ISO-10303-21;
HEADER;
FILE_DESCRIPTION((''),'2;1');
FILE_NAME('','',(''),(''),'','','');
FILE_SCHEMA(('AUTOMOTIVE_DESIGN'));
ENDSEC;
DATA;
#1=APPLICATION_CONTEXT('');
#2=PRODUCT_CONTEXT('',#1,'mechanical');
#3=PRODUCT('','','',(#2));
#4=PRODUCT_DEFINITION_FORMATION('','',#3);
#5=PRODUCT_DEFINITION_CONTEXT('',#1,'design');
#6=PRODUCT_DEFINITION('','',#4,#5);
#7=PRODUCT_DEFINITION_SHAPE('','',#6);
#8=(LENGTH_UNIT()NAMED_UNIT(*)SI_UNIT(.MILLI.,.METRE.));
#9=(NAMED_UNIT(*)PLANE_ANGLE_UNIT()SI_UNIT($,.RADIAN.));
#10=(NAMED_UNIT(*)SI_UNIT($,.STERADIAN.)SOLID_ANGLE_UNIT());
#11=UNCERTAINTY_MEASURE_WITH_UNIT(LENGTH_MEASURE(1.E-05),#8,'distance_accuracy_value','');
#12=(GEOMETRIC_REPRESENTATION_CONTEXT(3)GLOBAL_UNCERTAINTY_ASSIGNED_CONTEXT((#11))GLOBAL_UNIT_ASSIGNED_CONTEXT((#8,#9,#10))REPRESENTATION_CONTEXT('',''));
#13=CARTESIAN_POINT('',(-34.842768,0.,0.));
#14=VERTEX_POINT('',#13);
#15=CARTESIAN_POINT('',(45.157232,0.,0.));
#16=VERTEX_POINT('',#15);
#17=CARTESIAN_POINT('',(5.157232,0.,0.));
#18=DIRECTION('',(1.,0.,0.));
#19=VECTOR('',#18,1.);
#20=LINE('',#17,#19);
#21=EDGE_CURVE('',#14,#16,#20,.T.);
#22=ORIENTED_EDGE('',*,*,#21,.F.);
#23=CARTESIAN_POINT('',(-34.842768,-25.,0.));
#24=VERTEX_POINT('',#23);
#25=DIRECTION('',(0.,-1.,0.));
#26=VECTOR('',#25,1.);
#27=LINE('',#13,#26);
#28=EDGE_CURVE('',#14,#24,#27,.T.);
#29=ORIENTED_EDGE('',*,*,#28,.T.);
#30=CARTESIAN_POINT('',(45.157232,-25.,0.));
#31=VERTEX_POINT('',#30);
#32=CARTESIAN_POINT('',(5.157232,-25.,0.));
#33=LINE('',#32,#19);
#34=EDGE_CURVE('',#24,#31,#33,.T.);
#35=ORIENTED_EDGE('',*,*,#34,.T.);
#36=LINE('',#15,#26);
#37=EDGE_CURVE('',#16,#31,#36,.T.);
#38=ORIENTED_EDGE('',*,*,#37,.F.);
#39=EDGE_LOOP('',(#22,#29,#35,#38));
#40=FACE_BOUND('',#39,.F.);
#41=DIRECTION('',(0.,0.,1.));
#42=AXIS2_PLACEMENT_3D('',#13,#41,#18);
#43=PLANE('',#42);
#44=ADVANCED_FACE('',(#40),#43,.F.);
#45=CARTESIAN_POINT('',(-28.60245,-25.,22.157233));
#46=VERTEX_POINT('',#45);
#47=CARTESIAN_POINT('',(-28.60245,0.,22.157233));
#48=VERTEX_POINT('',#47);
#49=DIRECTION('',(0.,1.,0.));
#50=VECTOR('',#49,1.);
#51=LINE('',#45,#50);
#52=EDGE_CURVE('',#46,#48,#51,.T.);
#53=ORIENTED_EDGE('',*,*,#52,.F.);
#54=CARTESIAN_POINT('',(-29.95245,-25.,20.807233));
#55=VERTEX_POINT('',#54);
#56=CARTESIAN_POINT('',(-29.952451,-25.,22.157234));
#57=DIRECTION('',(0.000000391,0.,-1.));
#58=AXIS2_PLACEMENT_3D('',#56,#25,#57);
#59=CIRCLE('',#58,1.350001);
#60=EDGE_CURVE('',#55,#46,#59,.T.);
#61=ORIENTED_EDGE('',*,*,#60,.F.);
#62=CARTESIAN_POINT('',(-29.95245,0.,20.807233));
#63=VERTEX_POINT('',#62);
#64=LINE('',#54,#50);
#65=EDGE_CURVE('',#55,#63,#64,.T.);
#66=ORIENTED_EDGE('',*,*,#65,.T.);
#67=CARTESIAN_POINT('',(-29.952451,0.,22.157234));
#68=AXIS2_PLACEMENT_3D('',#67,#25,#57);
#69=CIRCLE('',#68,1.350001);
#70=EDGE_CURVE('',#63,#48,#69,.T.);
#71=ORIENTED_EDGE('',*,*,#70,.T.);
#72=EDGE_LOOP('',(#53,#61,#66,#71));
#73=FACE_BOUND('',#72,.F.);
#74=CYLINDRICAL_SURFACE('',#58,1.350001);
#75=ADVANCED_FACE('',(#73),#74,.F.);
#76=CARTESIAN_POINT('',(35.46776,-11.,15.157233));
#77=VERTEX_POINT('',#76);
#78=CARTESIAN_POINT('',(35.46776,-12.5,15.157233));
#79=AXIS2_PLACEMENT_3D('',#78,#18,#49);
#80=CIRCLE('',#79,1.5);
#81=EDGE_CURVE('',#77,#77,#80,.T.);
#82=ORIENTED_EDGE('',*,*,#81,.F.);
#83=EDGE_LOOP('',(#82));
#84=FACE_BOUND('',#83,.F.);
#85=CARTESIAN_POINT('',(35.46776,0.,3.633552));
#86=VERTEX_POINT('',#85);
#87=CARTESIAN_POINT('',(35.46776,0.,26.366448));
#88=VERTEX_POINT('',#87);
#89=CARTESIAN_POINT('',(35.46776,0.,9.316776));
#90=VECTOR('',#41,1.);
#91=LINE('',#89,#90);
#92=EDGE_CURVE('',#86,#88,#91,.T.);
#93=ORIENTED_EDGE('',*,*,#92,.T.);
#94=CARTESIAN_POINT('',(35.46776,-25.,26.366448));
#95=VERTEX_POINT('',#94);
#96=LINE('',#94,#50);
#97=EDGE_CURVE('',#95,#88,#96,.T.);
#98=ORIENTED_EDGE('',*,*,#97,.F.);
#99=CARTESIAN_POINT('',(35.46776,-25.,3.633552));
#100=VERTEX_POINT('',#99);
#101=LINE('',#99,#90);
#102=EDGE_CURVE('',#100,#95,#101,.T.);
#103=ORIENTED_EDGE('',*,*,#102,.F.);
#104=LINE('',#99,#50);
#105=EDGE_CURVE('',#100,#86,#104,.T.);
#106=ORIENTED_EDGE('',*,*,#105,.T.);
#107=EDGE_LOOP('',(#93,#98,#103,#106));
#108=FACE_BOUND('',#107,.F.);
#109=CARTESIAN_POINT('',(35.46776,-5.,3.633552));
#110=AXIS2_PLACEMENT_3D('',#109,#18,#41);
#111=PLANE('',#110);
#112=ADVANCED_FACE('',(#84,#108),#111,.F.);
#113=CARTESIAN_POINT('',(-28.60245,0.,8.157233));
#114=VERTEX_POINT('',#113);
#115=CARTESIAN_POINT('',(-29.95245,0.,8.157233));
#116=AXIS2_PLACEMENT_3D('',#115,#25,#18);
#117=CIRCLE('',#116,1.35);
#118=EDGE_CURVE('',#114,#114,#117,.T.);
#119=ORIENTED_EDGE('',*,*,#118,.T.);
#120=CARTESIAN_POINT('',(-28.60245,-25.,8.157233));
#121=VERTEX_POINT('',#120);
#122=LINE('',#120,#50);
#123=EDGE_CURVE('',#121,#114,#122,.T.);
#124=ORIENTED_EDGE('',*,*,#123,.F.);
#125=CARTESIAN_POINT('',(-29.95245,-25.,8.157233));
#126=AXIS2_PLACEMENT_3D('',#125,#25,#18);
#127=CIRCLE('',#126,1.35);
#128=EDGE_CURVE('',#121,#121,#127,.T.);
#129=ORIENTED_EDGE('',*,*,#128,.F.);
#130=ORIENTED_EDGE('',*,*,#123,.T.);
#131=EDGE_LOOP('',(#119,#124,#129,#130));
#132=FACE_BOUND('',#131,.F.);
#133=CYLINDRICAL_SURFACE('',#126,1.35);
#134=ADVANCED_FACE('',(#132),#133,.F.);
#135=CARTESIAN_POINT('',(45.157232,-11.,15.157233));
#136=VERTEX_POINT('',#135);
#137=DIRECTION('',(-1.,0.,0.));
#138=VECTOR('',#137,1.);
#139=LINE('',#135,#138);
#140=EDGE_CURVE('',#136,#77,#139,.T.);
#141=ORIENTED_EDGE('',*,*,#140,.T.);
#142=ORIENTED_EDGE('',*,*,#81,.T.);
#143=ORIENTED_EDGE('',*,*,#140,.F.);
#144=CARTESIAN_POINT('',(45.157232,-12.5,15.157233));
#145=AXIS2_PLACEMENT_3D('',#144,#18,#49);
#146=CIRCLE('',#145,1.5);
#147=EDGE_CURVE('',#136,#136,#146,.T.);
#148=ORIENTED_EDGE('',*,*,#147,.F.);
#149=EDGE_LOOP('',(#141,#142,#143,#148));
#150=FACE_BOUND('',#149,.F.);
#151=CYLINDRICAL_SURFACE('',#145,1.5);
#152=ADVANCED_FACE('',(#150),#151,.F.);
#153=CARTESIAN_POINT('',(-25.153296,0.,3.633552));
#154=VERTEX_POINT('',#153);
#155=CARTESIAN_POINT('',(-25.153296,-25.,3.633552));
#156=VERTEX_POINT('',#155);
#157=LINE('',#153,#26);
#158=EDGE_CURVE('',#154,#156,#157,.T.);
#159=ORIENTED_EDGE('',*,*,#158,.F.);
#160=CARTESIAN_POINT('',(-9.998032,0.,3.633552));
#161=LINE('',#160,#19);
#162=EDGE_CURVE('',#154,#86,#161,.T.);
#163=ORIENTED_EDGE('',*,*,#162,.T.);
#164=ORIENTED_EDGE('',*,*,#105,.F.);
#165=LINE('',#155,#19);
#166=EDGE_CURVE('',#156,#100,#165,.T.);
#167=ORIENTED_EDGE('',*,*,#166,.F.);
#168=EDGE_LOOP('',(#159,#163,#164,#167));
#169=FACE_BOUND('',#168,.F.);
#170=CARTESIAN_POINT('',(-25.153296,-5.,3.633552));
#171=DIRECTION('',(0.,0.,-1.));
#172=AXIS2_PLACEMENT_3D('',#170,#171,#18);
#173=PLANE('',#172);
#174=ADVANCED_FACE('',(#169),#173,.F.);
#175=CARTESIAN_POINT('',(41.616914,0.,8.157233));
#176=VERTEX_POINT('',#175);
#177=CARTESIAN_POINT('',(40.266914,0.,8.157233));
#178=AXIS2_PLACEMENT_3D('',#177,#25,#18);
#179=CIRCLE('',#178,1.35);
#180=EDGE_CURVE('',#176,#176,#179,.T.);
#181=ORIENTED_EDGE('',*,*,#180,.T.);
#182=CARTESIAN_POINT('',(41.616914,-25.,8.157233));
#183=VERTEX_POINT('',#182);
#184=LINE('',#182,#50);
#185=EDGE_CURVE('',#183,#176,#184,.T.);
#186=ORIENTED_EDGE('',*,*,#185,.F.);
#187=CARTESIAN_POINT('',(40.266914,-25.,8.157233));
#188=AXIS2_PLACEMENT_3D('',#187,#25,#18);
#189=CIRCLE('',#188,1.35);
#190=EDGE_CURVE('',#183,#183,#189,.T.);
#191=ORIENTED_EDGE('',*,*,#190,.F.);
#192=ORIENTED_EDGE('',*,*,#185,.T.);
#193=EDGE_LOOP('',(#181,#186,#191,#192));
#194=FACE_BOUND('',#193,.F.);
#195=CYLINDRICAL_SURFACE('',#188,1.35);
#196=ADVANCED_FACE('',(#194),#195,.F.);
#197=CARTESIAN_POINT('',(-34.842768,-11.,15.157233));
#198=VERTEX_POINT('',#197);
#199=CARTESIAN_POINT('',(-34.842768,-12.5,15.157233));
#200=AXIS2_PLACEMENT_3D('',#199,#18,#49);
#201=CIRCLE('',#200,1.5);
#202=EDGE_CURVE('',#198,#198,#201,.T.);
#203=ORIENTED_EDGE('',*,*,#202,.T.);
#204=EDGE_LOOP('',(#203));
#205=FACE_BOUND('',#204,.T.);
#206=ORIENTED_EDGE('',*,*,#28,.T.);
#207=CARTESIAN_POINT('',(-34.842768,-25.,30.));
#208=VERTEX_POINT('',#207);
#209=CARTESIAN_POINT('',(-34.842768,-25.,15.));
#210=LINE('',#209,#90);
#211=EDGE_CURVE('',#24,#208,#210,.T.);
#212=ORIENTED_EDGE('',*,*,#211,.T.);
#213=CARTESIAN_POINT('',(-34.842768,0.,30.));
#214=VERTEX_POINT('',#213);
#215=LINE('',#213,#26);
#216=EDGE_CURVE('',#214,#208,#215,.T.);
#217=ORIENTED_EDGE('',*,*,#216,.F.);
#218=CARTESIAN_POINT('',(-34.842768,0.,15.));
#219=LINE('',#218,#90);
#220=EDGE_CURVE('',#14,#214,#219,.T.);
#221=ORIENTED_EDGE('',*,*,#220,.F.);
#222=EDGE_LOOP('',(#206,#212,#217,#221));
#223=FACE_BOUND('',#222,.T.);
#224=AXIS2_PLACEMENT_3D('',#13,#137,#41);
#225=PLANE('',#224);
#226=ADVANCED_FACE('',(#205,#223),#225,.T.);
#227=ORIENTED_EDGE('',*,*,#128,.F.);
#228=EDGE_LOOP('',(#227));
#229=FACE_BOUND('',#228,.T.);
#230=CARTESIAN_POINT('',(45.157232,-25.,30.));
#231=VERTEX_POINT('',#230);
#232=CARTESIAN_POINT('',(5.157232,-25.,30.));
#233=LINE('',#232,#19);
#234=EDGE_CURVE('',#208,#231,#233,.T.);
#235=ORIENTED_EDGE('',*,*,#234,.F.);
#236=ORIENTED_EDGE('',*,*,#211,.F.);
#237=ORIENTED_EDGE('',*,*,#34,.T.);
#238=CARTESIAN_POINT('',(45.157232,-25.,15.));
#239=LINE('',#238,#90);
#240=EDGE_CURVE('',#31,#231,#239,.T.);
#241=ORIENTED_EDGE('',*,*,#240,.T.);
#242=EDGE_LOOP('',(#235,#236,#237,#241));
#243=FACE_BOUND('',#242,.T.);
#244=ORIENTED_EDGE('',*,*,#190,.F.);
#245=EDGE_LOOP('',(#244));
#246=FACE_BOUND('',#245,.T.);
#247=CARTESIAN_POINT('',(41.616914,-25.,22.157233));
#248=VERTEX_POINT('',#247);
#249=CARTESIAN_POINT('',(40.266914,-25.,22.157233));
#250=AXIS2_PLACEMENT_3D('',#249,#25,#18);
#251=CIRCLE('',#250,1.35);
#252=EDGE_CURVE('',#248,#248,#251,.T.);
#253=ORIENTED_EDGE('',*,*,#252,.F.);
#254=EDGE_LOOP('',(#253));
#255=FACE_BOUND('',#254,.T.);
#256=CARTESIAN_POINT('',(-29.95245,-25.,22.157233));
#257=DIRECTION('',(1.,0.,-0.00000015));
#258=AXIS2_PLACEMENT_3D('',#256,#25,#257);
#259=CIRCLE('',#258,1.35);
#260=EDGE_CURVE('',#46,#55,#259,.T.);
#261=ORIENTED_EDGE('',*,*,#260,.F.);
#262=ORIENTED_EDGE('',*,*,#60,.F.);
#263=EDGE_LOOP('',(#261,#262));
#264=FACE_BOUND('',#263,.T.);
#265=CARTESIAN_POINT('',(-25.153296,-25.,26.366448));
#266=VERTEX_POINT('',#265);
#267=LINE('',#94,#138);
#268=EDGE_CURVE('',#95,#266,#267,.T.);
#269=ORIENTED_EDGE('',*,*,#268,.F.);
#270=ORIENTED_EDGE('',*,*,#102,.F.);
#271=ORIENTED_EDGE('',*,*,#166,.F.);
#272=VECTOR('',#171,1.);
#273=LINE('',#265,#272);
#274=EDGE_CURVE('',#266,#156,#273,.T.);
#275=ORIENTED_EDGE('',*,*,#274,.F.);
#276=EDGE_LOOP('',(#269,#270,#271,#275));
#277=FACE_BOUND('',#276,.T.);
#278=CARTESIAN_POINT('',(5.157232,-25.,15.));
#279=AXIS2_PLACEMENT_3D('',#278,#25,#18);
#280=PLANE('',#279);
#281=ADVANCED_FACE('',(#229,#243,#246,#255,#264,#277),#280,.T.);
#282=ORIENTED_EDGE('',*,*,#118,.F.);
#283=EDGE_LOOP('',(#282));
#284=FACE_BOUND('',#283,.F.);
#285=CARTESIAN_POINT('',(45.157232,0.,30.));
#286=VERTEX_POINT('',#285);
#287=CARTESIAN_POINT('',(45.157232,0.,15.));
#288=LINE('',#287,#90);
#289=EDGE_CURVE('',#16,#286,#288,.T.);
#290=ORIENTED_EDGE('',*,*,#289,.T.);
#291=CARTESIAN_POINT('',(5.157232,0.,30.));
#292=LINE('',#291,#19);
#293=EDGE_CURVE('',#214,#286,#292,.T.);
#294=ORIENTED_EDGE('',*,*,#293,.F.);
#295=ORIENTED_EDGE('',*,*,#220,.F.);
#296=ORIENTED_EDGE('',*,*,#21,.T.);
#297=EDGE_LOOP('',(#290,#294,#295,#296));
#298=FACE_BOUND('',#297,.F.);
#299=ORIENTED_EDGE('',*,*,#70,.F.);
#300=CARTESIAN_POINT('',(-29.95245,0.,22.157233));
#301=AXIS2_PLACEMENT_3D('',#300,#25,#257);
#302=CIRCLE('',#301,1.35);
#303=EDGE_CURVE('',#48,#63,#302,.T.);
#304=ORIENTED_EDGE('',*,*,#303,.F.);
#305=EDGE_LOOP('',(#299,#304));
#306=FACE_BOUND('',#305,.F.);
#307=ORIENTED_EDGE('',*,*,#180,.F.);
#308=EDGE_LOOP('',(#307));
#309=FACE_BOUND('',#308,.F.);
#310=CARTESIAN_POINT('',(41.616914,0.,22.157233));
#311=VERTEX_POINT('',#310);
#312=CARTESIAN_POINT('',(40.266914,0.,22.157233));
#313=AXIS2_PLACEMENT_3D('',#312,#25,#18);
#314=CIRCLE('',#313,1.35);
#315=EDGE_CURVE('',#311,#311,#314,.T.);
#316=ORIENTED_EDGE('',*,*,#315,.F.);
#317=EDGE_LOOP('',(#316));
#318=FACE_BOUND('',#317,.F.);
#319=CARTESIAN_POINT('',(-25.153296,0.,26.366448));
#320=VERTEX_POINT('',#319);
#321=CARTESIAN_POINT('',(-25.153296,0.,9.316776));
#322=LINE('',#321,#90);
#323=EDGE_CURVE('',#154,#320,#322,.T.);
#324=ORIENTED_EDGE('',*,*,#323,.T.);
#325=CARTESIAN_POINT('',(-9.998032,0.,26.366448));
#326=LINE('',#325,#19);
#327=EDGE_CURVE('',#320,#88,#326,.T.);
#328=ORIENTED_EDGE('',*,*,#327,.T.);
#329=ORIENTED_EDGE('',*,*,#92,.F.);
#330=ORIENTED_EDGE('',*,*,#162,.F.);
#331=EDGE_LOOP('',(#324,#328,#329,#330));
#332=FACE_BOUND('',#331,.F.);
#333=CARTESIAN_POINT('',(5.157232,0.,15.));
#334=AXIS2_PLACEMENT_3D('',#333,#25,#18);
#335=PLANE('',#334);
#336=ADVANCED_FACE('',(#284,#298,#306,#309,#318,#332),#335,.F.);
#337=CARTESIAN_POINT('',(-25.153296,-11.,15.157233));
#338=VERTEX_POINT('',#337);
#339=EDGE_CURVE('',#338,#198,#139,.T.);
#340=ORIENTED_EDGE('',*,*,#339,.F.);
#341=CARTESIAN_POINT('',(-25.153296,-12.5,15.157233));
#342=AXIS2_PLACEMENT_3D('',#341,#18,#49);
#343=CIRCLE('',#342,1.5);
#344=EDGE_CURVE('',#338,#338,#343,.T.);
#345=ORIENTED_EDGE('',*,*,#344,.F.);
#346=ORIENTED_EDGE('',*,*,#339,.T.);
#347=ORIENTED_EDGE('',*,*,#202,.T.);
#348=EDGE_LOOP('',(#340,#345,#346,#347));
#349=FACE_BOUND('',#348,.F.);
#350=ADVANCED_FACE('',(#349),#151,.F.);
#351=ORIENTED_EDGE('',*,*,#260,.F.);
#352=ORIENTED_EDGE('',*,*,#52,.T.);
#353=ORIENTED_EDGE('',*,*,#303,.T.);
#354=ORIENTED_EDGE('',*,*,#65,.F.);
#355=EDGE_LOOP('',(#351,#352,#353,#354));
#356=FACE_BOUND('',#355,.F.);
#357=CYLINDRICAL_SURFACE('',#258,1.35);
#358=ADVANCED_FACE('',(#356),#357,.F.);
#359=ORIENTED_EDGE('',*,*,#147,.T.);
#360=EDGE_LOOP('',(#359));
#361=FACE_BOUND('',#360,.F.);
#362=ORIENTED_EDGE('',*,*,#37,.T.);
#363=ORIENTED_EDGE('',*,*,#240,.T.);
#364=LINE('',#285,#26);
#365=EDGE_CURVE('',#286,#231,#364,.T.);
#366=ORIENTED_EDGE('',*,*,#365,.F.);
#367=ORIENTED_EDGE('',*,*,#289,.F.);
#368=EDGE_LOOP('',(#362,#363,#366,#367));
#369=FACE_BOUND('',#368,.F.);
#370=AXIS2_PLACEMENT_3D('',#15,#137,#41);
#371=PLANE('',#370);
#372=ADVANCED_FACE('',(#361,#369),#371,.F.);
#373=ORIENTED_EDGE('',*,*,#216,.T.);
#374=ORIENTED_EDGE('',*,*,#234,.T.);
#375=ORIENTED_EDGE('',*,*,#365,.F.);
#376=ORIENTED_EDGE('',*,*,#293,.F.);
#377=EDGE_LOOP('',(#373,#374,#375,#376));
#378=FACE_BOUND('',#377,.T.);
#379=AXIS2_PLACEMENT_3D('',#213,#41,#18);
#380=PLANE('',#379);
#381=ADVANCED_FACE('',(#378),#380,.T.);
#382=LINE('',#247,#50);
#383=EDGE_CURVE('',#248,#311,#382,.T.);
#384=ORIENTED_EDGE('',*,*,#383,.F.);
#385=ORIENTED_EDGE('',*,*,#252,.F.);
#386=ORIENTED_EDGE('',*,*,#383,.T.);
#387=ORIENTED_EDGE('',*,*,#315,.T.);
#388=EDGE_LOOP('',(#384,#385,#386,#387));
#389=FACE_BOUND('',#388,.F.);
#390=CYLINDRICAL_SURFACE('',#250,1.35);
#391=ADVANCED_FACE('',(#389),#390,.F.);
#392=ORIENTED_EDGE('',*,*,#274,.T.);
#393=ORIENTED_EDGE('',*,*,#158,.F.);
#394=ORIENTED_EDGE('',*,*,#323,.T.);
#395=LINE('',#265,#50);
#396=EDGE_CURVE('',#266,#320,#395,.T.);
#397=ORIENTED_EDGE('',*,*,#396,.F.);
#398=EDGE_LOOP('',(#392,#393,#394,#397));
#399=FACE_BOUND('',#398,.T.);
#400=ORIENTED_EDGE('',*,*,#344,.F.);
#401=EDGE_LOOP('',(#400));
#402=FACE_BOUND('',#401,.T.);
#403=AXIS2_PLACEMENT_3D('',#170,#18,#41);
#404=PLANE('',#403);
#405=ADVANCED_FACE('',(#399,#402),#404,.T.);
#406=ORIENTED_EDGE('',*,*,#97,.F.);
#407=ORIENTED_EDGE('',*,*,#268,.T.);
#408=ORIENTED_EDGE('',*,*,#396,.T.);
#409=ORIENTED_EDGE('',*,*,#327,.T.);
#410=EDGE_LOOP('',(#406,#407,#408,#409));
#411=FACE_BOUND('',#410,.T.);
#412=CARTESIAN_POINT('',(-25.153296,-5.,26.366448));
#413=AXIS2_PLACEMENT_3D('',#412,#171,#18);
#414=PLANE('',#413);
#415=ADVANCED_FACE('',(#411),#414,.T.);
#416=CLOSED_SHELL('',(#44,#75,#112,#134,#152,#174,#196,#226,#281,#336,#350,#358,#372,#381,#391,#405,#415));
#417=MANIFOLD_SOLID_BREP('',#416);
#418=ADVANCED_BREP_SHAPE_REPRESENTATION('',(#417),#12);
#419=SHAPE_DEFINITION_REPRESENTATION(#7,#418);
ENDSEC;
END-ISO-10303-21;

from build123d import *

# Parameters (mm, degrees)
F0_W      = 80
F0_H      = 30
F1_DEPTH  = 25
F3_DEPTH  = 20
F4_R      = 1.5
F5_DEPTH  = 1000
F3_FACE_W = 60.621056
F3_FACE_H = 22.732896
F6_DEPTH  = 25
F7_R      = 1.35
F7_R_2    = 1
F8_DEPTH  = 100000


with BuildPart() as f1:
    # F0 (on Front) → F1 (new body)
    with BuildSketch(Plane.XZ):
        with Locations((5.157232, 15)):
            Rectangle(F0_W, F0_H)
    extrude(amount=F1_DEPTH)

    # F2 (on face) → F3 (cut)
    with BuildSketch(Plane.XZ.offset(25)):
        Polygon((35.46776, 26.366448), (-25.153296, 26.366448), (5.157232, 15), align=None)
        Polygon((5.157232, 15), (-25.153296, 26.366448), (-25.153296, 3.633552), align=None)
        Polygon((35.46776, 26.366448), (5.157232, 15), (35.46776, 3.633552), align=None)
        Polygon((35.46776, 3.633552), (5.157232, 15), (-25.153296, 3.633552), align=None)
    extrude(amount=-F3_DEPTH, mode=Mode.SUBTRACT)

    # F4 (on face) → F5 (cut)
    with BuildSketch(Plane.YZ.offset(45.157232)):
        with Locations((-12.5, 15.157233)):
            Circle(F4_R)
    extrude(amount=-F5_DEPTH, mode=Mode.SUBTRACT)

    # F3_face (on face) → F6 (cut)
    with BuildSketch(Plane(origin=(5.157232, -5, 15), x_dir=(1, 0, 0), z_dir=(0, -1, 0))):
        Rectangle(F3_FACE_W, F3_FACE_H)
    extrude(amount=-F6_DEPTH, mode=Mode.SUBTRACT)

    # F7 (on face) → F8 (cut)
    with BuildSketch(Plane.XZ.offset(25)):
        with BuildLine():
            ThreePointArc((-29.95245, 20.807233), (-28.997856, 21.202639), (-28.60245, 22.157233))
            ThreePointArc((-28.60245, 22.157233), (-30.907045, 23.111827), (-29.95245, 20.807233))
        make_face()
        with Locations((-29.95245, 8.157233)):
            Circle(F7_R)
        with Locations((40.266914, 8.157233)):
            Circle(F7_R)
        with Locations((40.266914, 22.157233)):
            Circle(F7_R)
        with Locations((-12.661189, -18.048356)):
            Circle(F7_R_2)
    extrude(amount=-F8_DEPTH, mode=Mode.SUBTRACT)


solid = f1.part
